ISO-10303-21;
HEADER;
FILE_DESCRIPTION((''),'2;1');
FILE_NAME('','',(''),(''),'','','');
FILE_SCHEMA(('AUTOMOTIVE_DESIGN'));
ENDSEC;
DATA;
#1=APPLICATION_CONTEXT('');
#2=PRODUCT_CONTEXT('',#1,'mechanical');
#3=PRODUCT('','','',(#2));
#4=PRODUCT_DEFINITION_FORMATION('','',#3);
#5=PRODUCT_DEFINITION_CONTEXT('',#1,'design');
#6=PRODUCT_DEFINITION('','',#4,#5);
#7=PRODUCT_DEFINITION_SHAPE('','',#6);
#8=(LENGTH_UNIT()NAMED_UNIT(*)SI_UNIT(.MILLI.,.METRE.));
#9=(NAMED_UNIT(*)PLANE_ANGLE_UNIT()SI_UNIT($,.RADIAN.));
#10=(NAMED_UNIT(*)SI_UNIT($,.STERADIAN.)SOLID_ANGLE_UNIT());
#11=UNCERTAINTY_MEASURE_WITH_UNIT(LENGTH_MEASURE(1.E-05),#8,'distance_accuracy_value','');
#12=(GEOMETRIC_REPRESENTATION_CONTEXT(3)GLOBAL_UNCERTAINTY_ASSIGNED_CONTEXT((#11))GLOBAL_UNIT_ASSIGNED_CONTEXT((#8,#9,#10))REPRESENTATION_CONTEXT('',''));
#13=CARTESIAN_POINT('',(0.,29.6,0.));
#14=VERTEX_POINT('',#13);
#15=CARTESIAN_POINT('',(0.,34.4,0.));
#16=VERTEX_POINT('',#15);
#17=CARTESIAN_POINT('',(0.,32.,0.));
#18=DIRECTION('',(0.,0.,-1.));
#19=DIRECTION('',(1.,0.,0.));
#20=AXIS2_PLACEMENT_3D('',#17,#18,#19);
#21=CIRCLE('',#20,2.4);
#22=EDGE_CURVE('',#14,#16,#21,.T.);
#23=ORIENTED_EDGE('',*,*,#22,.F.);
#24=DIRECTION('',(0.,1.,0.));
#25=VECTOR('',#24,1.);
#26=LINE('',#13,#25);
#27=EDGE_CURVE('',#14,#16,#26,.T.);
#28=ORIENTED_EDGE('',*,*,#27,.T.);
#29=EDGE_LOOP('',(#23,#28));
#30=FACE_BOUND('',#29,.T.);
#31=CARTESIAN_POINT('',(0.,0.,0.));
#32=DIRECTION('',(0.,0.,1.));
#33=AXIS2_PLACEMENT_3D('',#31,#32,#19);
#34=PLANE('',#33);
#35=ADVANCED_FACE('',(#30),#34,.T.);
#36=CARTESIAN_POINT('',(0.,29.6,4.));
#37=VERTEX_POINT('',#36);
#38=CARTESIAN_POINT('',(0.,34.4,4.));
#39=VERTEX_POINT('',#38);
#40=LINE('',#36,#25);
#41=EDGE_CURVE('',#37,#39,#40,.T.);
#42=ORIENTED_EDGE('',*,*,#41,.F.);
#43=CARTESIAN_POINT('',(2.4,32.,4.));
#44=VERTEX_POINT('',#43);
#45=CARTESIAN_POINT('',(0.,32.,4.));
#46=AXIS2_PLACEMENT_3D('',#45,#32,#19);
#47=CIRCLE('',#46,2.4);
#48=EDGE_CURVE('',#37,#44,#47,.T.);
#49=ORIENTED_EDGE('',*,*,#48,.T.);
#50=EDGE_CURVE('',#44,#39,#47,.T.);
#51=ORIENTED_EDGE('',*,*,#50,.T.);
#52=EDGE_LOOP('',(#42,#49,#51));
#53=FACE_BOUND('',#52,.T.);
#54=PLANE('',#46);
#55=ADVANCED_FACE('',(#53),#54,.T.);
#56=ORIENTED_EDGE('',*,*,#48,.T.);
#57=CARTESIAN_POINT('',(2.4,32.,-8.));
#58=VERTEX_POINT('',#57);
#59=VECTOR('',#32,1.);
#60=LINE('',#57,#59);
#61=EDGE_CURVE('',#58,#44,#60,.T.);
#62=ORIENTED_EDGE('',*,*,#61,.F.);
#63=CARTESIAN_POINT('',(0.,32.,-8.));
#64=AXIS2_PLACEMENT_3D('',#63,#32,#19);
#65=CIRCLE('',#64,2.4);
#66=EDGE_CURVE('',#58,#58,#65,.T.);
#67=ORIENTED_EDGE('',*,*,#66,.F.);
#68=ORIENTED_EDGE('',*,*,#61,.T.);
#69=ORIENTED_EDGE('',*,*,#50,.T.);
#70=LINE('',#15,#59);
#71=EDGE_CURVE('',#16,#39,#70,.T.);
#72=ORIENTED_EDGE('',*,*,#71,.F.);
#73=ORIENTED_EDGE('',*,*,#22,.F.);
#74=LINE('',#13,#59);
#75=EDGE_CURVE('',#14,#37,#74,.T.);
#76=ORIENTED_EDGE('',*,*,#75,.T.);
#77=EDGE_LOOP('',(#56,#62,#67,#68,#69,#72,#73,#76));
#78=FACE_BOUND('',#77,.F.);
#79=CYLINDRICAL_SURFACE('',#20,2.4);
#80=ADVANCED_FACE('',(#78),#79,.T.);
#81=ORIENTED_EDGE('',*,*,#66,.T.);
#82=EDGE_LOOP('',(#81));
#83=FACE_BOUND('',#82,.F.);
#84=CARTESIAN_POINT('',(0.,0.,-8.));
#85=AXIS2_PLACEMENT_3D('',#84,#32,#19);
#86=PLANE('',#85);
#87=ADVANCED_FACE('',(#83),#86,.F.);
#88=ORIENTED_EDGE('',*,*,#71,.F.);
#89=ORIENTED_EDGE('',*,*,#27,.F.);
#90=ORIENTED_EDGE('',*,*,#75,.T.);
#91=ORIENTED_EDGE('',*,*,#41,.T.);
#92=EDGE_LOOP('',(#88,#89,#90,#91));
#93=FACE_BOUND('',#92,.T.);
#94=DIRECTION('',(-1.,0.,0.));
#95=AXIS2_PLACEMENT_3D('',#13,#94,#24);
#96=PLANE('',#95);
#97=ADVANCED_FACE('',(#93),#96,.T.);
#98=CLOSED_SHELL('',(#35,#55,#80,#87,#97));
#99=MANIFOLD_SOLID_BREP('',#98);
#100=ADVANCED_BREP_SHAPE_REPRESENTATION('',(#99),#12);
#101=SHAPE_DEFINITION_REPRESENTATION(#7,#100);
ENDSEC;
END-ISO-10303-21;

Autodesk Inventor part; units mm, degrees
ref_plane "YZ Plane" through (0, 0, 0) normal (1, 0, 0) x (0, 1, 0)
ref_plane "XZ Plane" through (0, 0, 0) normal (0, 1, 0) x (-1, 0, 0)
ref_plane "XY Plane" through (0, 0, 0) normal (0, 0, 1) x (1, 0, 0)
sketch "Esboço1" plane through (0, 0, 0) normal (0, 0, 1) x (1, 0, 0)
  circle A0 centre (0, 32) radius 2.4 projected
  line L0 (0, 29.6) -> (0, 34.4)
  point P0 (0, 0)
extrude "Extrusão1" add sketch "Esboço1" against normal blind 8
sketch "Esboço2" plane through (0, 32, 0) normal (0, 0, 1) x (1, 0, 0)
  circle A0 centre (0, 0) radius 2.4 projected
  line L0 (0, -2.4) -> (0, 2.4)
  point P0 (0, -32)
extrude "Extrusão2" add sketch "Esboço2" along normal blind 4 contours A0 L0 picked at (0.4988, 0.6255)
properties part number "apoio tras sensor"
